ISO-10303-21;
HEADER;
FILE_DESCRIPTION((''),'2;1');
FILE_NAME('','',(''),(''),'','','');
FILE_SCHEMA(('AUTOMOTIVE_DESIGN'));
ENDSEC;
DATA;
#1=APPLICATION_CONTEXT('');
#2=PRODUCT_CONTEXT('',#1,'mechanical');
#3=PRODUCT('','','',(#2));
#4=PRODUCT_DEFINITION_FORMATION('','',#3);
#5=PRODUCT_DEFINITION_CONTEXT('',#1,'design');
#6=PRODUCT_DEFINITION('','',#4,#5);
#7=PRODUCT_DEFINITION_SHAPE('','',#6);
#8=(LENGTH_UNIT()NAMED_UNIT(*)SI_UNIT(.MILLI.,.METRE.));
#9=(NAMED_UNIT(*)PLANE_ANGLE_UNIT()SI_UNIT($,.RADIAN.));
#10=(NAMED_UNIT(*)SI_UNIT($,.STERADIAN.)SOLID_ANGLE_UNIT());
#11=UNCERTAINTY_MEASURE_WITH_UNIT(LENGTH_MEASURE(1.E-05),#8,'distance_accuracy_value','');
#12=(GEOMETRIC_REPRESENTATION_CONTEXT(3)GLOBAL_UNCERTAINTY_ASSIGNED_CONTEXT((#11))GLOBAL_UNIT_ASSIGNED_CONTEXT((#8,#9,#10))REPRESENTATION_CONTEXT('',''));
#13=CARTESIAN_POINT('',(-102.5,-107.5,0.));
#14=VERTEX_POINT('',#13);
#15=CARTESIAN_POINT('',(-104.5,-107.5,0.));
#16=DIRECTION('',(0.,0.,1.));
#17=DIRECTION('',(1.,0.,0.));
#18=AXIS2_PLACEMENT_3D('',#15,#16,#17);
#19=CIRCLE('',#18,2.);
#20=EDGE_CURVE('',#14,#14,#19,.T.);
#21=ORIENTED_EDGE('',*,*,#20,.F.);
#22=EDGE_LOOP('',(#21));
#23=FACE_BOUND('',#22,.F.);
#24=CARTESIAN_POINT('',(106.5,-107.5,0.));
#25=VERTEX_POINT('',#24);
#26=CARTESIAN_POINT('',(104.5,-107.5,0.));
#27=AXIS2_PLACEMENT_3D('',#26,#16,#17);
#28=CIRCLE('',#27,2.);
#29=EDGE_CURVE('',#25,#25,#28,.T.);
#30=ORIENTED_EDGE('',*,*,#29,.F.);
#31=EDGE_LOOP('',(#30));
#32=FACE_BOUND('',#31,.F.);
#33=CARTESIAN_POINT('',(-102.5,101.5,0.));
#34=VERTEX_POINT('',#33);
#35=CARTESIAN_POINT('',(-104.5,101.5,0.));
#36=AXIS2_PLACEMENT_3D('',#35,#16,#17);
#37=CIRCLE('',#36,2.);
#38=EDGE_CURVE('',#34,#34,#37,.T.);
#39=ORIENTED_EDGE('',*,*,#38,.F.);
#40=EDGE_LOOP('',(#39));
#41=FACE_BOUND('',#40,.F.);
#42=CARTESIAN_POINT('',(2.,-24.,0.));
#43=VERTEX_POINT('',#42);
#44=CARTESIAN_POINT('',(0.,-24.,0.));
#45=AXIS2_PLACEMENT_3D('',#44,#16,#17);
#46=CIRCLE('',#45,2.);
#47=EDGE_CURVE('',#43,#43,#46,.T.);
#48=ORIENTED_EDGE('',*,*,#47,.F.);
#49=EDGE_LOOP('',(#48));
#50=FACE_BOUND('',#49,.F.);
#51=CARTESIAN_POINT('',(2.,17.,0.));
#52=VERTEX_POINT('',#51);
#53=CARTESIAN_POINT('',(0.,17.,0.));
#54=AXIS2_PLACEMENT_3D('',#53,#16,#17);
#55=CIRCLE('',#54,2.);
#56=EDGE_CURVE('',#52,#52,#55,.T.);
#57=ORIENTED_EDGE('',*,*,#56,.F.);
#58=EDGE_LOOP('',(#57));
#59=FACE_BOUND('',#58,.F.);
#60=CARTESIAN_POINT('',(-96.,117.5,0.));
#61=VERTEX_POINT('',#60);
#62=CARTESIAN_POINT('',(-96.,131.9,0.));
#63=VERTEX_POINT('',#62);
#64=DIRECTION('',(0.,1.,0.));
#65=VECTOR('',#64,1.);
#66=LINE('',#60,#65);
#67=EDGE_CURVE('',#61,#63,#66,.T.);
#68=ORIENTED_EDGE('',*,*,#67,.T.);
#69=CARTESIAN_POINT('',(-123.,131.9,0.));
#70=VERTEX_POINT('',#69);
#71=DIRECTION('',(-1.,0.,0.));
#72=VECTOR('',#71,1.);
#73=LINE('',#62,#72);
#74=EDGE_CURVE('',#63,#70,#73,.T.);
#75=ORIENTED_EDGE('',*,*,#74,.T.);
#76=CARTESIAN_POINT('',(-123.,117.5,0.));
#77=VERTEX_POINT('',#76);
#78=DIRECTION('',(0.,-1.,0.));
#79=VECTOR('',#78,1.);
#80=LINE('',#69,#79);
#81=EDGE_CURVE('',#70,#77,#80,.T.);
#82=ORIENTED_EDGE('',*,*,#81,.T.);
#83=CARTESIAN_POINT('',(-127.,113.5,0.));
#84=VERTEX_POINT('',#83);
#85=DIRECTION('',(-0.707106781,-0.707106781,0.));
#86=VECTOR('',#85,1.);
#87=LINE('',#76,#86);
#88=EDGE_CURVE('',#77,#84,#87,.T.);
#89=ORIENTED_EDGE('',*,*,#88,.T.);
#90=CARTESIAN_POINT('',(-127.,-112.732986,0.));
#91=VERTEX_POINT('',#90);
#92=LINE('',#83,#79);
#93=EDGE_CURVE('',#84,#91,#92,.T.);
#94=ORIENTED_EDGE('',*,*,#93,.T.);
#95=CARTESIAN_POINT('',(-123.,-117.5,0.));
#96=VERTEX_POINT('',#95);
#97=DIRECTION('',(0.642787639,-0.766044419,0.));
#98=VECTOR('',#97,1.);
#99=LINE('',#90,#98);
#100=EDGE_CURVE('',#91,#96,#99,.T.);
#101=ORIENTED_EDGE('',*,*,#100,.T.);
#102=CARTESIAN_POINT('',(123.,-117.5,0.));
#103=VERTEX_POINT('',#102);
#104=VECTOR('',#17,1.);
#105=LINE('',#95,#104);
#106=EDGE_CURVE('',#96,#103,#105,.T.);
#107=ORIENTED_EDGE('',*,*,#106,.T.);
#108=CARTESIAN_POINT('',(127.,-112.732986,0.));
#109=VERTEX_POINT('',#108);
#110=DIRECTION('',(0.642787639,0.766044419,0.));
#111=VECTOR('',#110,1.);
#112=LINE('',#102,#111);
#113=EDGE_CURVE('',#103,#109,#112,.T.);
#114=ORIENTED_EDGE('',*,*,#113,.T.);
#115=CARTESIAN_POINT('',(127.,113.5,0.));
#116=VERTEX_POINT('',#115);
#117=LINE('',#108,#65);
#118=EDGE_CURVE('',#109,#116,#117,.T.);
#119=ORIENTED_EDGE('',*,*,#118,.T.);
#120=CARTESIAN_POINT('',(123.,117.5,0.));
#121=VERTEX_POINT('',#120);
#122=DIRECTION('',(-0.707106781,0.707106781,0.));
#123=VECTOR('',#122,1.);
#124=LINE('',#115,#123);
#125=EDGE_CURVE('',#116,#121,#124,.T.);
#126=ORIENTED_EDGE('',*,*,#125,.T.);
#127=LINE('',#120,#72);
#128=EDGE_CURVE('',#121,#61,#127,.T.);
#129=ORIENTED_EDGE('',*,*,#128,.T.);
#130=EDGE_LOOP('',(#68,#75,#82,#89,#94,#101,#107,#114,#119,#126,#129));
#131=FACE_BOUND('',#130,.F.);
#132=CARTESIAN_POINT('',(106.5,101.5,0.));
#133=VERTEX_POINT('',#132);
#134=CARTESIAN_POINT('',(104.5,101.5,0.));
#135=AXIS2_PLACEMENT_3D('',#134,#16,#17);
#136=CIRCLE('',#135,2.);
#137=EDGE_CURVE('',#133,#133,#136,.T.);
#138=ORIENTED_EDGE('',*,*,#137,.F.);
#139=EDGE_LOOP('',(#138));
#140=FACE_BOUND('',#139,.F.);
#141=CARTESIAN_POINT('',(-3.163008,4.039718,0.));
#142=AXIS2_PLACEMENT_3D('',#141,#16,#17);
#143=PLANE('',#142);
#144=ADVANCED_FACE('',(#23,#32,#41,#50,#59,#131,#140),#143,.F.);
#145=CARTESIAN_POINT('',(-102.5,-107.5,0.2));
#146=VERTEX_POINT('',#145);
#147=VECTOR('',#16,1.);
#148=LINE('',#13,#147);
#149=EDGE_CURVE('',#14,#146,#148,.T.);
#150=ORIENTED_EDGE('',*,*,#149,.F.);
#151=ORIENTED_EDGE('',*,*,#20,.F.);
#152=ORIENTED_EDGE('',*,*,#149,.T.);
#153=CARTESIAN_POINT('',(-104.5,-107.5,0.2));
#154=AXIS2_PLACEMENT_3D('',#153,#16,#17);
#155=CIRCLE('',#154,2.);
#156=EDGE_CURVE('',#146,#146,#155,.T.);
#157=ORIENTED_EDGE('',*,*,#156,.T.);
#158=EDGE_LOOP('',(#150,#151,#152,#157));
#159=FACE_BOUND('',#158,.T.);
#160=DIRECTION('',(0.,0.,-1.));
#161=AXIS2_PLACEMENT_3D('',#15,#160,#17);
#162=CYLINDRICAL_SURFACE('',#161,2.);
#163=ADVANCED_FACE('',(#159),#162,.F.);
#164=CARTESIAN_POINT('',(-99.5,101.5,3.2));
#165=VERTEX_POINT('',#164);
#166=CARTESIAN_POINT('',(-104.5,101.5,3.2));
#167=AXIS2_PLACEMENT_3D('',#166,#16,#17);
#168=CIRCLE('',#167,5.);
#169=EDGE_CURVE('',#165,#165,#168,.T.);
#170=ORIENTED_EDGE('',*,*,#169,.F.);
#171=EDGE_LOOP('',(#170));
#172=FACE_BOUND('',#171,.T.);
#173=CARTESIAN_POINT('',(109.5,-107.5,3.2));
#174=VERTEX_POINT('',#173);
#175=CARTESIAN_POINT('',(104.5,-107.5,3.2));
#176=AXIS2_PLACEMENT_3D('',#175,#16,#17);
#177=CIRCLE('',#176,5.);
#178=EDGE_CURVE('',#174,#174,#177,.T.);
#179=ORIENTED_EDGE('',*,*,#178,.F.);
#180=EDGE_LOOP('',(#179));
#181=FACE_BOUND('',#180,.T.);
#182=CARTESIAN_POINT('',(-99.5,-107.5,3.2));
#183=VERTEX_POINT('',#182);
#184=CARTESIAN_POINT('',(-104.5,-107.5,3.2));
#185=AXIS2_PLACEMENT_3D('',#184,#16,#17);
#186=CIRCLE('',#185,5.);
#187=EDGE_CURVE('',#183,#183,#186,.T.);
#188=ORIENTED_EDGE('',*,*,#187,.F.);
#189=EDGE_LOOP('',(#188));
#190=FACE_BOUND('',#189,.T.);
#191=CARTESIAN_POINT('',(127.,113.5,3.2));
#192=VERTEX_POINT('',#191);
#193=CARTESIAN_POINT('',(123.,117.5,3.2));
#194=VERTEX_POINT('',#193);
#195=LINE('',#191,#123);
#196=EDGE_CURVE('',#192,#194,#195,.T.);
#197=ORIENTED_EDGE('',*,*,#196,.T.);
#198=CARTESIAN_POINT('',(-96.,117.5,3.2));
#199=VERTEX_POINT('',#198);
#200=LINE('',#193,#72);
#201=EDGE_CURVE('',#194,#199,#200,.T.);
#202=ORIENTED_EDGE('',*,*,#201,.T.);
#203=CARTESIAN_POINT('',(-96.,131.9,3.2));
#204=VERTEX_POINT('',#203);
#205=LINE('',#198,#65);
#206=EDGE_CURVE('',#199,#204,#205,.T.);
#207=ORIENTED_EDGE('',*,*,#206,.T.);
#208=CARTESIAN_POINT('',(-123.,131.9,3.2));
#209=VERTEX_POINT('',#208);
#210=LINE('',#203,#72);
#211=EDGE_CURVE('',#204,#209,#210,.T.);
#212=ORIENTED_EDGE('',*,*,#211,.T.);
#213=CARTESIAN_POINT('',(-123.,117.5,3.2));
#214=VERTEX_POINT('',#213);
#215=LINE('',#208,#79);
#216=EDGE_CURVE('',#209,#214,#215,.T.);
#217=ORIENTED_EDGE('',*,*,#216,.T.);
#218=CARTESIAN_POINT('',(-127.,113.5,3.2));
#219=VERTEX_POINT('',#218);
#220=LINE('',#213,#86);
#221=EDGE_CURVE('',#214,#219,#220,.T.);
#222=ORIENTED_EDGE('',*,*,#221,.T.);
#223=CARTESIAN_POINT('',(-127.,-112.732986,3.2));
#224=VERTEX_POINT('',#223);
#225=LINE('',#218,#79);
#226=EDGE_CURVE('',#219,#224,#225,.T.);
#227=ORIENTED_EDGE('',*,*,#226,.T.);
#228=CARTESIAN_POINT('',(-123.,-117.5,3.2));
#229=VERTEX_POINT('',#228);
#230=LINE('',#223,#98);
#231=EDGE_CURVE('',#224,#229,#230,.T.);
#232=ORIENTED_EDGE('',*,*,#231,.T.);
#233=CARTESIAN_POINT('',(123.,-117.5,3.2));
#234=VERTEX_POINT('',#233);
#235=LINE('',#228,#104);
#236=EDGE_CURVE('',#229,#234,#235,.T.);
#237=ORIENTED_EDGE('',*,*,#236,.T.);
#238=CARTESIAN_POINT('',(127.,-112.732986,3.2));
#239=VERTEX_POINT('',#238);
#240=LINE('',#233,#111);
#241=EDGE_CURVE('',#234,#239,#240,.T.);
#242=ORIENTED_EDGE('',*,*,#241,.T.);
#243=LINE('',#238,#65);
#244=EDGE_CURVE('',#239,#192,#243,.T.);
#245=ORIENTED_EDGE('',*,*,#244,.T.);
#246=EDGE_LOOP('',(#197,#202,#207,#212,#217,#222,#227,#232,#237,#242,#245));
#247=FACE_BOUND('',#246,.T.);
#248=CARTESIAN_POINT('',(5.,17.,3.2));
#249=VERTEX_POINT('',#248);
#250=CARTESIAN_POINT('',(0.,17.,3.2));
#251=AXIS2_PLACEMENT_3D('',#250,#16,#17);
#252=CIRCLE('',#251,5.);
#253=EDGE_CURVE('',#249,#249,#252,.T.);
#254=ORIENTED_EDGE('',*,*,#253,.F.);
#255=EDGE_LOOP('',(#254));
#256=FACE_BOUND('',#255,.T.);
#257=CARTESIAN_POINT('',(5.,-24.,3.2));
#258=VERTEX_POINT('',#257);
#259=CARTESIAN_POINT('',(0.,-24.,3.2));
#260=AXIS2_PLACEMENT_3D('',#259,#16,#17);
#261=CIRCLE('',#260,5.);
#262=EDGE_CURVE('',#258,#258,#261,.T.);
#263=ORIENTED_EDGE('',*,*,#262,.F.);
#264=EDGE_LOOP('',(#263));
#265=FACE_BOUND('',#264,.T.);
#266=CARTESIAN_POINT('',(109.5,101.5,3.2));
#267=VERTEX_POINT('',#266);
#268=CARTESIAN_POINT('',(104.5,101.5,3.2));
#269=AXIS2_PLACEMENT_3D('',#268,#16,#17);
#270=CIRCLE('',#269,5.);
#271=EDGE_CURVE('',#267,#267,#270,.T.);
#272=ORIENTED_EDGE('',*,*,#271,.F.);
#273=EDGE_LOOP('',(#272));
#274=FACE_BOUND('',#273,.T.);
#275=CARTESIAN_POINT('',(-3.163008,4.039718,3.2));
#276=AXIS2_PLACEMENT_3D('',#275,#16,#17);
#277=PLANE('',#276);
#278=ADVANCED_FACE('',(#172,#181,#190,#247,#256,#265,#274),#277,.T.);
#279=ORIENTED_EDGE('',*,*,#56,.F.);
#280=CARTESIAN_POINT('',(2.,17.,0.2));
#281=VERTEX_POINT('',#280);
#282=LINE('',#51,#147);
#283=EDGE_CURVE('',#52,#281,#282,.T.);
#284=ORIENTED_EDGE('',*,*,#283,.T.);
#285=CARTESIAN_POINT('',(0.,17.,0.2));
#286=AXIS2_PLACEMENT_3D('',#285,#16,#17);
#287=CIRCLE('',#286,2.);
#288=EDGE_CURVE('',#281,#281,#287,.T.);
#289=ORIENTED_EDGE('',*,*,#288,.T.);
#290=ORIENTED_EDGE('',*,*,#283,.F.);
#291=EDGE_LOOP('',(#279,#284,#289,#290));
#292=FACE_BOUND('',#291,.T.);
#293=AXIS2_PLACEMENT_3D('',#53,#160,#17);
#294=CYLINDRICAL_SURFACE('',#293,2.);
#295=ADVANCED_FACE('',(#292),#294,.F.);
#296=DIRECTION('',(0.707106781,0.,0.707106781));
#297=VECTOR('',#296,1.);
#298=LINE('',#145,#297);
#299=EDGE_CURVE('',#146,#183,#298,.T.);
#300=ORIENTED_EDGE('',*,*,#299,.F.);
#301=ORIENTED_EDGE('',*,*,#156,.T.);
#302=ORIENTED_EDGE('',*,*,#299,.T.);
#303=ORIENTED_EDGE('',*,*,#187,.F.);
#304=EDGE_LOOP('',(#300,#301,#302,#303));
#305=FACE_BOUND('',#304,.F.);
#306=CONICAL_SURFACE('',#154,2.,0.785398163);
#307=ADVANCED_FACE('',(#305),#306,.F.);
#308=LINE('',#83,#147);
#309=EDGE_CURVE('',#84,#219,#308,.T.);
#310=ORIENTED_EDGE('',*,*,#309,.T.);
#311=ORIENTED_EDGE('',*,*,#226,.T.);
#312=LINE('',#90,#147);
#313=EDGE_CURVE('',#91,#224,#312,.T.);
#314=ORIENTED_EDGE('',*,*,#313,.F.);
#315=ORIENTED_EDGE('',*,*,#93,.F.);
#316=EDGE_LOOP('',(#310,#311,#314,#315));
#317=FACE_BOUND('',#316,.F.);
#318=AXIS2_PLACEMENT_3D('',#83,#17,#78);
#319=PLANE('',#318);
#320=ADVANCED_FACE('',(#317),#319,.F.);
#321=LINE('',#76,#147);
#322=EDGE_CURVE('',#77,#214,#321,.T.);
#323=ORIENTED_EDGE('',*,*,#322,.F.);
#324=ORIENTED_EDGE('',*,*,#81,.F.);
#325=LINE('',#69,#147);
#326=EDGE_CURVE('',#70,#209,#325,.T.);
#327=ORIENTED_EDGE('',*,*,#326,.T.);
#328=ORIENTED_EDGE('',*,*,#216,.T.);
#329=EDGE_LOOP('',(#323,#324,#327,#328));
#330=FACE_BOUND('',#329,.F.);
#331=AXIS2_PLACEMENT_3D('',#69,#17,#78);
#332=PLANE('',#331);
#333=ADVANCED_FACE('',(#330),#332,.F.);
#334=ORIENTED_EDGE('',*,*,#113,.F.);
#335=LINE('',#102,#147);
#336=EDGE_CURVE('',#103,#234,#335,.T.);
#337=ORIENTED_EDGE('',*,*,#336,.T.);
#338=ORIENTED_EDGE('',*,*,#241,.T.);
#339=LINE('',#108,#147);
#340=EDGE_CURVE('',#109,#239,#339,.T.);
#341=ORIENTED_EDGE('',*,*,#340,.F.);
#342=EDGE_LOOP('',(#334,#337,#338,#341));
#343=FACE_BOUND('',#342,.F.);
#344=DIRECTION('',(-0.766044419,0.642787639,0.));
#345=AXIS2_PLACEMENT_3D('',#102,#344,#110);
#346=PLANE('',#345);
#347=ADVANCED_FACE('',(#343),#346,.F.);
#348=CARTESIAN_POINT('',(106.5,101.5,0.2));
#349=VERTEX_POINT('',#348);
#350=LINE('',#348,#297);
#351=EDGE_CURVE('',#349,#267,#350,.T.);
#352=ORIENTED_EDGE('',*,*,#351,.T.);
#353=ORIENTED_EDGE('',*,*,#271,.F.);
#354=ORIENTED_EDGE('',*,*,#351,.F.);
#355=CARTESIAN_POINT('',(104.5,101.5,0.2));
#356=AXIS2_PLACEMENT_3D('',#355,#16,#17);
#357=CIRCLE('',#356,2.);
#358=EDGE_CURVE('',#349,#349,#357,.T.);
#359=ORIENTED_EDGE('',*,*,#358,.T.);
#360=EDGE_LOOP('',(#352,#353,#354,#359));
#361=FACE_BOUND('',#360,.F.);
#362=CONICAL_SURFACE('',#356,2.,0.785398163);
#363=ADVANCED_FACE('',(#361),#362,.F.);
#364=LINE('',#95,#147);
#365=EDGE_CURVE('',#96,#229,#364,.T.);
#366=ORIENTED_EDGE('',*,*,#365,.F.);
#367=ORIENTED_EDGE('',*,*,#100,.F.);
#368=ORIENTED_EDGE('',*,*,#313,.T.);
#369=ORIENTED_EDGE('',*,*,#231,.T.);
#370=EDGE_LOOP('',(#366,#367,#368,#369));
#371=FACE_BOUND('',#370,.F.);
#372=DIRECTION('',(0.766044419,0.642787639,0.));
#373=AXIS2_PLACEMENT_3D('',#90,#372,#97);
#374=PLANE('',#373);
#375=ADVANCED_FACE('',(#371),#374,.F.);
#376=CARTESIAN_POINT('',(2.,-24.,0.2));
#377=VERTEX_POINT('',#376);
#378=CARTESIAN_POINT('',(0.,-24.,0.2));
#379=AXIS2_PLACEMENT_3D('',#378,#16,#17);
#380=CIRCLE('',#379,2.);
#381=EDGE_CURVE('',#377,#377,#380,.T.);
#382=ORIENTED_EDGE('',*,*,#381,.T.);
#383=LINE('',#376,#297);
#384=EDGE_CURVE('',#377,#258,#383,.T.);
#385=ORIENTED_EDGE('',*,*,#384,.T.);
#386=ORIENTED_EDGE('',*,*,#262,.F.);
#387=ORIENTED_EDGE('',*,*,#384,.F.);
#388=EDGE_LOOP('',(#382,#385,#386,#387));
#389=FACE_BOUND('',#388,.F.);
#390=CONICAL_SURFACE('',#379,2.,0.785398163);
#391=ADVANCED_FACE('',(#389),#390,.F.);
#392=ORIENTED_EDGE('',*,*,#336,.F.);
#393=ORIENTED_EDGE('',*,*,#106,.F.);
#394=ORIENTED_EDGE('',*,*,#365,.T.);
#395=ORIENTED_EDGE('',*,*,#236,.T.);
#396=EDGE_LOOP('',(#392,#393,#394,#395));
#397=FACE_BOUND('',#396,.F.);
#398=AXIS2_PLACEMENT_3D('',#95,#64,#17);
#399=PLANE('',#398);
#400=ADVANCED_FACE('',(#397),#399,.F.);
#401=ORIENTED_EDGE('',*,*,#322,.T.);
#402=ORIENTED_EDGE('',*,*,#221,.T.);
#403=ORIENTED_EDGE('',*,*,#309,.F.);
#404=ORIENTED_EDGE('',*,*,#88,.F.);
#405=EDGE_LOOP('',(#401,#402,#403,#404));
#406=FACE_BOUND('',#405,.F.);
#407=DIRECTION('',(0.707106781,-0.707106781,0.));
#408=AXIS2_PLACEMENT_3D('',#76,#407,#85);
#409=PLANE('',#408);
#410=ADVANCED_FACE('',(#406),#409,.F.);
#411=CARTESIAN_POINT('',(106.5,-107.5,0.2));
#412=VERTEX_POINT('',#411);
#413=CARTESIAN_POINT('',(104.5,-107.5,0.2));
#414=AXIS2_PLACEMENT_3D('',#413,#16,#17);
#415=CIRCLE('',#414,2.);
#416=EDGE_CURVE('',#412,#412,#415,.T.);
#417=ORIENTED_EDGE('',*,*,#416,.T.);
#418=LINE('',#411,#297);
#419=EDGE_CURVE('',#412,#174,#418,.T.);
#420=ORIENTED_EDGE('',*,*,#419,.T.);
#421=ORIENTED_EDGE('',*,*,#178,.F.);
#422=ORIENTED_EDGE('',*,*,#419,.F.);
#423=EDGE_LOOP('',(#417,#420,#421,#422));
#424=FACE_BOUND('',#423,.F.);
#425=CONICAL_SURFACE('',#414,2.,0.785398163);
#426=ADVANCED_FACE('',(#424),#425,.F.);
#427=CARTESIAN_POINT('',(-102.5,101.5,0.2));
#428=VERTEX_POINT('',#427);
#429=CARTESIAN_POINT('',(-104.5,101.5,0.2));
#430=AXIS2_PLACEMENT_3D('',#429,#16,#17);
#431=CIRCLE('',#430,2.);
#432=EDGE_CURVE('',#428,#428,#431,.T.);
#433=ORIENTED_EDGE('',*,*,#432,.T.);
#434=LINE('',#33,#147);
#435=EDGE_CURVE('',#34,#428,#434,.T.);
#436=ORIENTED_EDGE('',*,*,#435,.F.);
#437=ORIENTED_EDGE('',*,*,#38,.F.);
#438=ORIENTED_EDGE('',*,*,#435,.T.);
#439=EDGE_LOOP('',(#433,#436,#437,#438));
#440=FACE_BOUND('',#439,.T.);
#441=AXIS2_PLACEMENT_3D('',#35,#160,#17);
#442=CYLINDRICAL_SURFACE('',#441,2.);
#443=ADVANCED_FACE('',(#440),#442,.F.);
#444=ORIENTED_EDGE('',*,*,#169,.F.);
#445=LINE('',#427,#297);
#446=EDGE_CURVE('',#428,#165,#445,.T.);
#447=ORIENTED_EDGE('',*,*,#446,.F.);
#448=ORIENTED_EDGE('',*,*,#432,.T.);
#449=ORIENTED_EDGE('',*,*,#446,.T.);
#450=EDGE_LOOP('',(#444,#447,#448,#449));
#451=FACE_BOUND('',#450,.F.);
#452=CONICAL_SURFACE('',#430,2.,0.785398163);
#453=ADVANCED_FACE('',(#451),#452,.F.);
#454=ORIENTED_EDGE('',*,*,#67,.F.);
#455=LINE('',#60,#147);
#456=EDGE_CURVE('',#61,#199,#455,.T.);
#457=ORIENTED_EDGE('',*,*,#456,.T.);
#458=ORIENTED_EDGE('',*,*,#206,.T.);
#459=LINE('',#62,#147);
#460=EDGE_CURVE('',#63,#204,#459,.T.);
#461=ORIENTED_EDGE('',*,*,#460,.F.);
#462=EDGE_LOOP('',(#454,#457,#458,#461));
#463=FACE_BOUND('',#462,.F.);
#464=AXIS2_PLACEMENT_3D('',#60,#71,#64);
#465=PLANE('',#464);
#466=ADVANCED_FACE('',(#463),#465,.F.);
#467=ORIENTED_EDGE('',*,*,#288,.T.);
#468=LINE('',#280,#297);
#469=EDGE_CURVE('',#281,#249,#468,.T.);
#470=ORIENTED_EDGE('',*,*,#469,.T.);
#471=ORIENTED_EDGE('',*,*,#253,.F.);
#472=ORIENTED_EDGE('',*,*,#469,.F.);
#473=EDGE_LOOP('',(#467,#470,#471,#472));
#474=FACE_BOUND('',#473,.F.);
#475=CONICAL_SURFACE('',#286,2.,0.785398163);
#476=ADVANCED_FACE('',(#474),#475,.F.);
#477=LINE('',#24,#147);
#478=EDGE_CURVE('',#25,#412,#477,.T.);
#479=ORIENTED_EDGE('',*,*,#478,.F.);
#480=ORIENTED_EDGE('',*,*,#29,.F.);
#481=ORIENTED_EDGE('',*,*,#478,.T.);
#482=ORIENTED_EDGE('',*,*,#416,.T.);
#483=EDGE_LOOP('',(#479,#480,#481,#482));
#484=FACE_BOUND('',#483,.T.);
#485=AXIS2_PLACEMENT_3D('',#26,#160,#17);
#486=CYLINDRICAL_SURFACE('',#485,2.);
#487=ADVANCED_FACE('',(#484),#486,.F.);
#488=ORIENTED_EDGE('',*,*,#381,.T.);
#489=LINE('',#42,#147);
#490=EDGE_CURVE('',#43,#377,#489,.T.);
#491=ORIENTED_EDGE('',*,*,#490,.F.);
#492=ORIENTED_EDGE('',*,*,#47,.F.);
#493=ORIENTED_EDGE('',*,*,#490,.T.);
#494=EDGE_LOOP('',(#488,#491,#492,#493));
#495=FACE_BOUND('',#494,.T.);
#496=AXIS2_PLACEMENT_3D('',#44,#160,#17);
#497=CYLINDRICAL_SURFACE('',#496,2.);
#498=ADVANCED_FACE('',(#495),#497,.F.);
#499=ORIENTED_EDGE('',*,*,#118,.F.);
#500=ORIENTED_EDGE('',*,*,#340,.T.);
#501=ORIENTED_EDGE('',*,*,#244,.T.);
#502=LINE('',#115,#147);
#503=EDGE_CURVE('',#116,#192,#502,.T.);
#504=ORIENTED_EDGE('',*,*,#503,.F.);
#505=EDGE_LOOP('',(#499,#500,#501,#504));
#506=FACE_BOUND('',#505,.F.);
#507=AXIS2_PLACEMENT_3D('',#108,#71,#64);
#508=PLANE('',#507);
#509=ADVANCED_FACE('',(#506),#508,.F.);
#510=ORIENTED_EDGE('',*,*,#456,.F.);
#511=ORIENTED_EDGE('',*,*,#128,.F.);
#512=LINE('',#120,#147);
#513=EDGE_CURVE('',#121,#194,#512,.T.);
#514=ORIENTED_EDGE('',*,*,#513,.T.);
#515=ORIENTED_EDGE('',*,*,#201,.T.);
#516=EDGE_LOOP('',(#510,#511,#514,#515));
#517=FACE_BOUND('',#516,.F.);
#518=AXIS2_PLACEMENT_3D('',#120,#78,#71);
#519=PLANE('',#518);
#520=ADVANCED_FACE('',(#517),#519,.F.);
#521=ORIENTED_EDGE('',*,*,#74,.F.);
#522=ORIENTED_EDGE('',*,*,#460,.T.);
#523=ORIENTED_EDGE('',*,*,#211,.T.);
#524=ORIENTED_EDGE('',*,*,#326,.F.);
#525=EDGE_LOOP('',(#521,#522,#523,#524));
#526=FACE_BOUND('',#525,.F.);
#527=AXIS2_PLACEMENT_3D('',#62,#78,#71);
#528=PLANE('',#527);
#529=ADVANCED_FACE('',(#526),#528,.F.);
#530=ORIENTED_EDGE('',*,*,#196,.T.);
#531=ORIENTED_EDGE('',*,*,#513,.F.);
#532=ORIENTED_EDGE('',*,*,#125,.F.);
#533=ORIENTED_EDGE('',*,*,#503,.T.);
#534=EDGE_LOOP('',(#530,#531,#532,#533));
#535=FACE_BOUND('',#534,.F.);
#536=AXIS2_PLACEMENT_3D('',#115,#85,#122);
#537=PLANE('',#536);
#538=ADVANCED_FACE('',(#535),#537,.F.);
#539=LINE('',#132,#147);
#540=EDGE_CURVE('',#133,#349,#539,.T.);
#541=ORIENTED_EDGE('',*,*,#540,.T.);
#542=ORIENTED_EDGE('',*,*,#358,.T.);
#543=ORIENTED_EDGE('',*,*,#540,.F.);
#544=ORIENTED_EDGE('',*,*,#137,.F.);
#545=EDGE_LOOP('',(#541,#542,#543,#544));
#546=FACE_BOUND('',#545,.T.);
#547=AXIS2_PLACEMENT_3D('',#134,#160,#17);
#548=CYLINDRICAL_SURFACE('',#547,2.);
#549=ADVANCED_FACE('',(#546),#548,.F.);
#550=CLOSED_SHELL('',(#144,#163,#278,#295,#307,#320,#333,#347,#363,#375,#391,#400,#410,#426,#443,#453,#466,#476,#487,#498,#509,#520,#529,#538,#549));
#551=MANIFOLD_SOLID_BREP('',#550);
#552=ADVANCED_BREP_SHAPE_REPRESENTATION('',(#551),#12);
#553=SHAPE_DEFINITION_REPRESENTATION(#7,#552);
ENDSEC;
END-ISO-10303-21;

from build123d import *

# Parameters (mm, degrees)
F0_R     = 2
F1_DEPTH = 3.2
F2_SIZE  = 3


with BuildPart() as f1:
    # F0 (on Top) → F1 (new body)
    with BuildSketch(Plane.XY):
        Polygon((-96, 131.9), (-123, 131.9), (-123, 117.5), (-127, 113.5), (-127, -112.732986), (-123, -117.5), (123, -117.5), (127, -112.732986), (127, 113.5), (123, 117.5), (-96, 117.5), align=None)
        with Locations((-104.5, -107.5)):
            Circle(F0_R, mode=Mode.SUBTRACT)
        with Locations((104.5, -107.5)):
            Circle(F0_R, mode=Mode.SUBTRACT)
        with Locations((0, -24)):
            Circle(F0_R, mode=Mode.SUBTRACT)
        with Locations((-104.5, 101.5)):
            Circle(F0_R, mode=Mode.SUBTRACT)
        with Locations((0, 17)):
            Circle(F0_R, mode=Mode.SUBTRACT)
        with Locations((104.5, 101.5)):
            Circle(F0_R, mode=Mode.SUBTRACT)
    extrude(amount=F1_DEPTH)

    # F2
    f2_edges = [f1.edges().sort_by_distance(p)[0] for p in [
        (-106.5, 101.5, 3.2),
        (-2, 17, 3.2),
        (-2, -24, 3.2),
        (102.5, 101.5, 3.2),
        (102.5, -107.5, 3.2),
        (-106.5, -107.5, 3.2),
    ]]
    chamfer(f2_edges, length=F2_SIZE)


solid = f1.part
